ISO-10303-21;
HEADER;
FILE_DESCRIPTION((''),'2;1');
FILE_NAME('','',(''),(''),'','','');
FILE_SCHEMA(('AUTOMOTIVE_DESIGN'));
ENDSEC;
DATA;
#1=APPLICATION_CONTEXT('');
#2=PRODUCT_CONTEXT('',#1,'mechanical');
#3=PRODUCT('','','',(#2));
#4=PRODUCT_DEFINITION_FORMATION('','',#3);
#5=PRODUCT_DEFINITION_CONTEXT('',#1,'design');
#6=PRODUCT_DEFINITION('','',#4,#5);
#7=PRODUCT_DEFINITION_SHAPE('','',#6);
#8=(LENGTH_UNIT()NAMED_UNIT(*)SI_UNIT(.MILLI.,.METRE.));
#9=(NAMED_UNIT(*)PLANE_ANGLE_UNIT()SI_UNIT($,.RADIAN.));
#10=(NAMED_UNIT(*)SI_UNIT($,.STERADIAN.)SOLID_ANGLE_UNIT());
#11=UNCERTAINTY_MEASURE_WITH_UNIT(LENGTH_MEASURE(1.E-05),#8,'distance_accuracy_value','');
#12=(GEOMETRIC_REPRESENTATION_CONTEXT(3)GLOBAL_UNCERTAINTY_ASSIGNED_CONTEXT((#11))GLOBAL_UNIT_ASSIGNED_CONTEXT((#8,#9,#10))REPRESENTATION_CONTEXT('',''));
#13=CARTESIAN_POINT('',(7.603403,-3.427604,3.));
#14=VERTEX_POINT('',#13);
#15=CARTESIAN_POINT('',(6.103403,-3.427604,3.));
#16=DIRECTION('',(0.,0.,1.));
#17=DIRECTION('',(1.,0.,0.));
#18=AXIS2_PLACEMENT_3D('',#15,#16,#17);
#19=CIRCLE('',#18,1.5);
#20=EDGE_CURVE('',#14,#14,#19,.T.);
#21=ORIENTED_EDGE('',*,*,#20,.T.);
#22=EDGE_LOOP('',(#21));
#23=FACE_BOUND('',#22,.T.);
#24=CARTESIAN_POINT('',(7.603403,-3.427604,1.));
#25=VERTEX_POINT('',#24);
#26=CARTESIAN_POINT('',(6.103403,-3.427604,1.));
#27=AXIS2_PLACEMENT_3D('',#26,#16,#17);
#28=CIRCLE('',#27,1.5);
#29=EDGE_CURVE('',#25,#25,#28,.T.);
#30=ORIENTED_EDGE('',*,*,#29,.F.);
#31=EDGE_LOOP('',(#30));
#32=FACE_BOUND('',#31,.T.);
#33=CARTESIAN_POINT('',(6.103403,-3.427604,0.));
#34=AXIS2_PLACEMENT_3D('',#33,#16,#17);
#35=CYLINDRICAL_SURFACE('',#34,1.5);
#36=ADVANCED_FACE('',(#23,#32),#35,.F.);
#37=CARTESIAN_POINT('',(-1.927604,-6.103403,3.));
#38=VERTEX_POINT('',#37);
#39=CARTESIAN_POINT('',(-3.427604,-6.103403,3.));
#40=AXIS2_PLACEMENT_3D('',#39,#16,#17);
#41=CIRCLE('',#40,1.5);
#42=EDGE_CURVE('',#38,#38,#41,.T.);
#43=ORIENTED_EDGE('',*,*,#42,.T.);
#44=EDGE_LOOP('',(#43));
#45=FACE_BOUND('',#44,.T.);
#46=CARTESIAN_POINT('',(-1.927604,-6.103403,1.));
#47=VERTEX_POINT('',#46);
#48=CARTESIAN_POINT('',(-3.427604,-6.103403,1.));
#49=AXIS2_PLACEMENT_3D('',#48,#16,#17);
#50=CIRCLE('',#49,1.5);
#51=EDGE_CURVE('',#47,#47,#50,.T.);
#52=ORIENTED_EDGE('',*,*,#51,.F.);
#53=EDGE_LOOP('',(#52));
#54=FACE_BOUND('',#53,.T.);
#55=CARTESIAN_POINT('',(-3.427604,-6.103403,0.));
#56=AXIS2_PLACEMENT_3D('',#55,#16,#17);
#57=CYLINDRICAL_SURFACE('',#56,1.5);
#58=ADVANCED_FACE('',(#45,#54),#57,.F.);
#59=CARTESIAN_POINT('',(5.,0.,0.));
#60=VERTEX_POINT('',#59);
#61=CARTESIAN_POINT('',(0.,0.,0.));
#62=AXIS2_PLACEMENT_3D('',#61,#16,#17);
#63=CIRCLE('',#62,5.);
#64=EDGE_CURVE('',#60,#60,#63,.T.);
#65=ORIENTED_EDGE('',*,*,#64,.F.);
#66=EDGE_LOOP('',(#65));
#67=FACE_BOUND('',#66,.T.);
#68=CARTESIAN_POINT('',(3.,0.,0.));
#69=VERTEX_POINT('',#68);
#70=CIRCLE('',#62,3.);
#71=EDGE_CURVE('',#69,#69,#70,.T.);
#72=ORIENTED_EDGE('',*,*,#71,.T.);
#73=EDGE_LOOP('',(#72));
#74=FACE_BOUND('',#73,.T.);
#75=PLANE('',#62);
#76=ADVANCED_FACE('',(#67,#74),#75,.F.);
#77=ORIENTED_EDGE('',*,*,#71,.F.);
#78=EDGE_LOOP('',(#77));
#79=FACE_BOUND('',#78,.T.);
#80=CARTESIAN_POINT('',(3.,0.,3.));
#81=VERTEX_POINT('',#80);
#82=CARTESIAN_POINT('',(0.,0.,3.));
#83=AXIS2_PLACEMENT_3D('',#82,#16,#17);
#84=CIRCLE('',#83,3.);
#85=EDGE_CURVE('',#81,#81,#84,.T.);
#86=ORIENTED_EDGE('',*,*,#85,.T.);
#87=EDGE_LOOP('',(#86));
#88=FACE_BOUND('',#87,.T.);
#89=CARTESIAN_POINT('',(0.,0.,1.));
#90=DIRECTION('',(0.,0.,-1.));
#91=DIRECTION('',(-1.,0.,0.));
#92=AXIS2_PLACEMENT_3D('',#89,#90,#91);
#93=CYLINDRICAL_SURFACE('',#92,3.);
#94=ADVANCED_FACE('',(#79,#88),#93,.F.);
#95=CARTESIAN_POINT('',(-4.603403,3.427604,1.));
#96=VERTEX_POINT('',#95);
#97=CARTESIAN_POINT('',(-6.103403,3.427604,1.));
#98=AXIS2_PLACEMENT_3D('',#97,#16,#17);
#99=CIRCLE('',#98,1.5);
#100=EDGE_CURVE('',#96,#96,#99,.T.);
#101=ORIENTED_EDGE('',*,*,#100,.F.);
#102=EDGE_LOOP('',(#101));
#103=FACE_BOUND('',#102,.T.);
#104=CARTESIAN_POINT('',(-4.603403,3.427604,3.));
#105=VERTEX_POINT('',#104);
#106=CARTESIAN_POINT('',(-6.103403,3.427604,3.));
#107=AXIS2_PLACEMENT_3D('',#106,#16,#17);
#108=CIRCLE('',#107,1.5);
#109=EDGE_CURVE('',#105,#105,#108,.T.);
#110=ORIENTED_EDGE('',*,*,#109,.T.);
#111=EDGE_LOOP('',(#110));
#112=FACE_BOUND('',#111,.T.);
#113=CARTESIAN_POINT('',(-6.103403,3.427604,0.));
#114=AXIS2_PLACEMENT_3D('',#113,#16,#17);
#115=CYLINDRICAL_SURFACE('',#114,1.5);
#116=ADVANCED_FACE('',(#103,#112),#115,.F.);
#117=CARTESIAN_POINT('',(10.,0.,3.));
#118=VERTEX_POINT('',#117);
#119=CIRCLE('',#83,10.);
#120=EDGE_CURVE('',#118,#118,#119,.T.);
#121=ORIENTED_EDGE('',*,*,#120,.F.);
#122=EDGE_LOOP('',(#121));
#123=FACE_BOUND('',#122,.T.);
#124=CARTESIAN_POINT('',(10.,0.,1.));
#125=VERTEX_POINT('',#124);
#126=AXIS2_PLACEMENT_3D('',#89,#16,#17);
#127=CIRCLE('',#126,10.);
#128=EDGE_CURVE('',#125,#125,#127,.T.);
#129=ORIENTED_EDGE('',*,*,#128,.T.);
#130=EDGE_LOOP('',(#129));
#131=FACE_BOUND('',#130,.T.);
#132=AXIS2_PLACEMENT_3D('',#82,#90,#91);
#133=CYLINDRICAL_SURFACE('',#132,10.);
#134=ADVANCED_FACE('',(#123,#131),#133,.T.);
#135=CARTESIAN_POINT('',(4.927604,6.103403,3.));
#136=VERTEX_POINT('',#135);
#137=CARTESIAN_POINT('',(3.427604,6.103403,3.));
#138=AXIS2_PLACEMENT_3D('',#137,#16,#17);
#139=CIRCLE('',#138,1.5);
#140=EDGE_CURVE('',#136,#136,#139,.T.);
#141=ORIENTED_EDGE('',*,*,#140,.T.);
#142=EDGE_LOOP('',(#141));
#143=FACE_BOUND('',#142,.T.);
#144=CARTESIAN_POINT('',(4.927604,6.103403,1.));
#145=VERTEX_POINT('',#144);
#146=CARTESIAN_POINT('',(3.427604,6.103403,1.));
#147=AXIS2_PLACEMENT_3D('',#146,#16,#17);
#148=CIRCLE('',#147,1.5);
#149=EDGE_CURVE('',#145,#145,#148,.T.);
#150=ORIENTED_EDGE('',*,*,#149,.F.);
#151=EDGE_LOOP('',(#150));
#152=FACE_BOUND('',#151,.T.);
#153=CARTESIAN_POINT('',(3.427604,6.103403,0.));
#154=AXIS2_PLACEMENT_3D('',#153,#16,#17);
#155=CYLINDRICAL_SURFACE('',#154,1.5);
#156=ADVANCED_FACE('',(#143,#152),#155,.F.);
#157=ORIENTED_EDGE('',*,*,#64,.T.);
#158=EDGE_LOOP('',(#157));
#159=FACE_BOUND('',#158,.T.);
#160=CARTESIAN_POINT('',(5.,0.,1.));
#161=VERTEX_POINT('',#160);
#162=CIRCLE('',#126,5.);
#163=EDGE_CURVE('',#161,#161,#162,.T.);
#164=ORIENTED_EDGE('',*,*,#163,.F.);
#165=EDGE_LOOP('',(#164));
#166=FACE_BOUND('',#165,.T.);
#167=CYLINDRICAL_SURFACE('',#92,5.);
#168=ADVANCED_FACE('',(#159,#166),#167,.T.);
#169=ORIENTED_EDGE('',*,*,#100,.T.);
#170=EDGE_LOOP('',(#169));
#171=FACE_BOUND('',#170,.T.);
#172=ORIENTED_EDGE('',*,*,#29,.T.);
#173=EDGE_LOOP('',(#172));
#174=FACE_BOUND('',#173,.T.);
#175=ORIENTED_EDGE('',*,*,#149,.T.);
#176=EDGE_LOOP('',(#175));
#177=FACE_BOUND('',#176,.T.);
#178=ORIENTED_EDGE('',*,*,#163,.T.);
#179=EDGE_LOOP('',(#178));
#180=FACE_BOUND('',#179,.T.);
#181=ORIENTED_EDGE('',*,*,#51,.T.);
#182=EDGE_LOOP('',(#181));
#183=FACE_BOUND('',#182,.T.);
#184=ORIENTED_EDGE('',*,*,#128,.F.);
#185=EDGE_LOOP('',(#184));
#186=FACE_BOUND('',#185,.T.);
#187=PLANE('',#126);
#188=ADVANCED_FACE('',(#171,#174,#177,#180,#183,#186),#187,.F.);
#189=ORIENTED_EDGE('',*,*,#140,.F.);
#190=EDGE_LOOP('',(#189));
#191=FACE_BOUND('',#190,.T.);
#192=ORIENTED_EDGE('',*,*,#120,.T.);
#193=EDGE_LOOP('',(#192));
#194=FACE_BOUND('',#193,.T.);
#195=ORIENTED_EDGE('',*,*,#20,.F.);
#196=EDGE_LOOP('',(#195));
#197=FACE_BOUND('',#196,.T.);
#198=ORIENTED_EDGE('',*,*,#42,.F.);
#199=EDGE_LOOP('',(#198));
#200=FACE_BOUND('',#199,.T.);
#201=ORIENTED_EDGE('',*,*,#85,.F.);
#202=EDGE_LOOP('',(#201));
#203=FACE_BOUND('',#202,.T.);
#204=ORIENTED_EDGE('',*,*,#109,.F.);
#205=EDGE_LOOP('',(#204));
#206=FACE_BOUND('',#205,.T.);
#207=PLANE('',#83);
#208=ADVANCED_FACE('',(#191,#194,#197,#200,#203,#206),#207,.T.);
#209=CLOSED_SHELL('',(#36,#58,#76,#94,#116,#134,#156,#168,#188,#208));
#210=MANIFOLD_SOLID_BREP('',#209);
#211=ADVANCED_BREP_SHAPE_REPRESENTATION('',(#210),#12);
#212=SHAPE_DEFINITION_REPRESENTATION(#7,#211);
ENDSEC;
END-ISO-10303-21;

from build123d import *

# Parameters (mm, degrees)
SKETCH_1_R          = 5
SKETCH_1_R_2        = 3
EXTRUDE_1_DEPTH     = 1
SKETCH_2_R          = 10
SKETCH_2_R_2        = 3
EXTRUDE_2_DEPTH     = 2
SKETCH_3_R          = 1.5
CUT_EXTRUDE_1_DEPTH = 15.456832295


with BuildPart() as part:
    # 草图1 → 凸台-拉伸1 (new body)
    with BuildSketch(Plane.XY):
        Circle(SKETCH_1_R)
        Circle(SKETCH_1_R_2, mode=Mode.SUBTRACT)
    extrude(amount=EXTRUDE_1_DEPTH)

    # 草图2 → 凸台-拉伸2 (add)
    with BuildSketch(Plane.XY.offset(1)):
        Circle(SKETCH_2_R)
        Circle(SKETCH_2_R_2, mode=Mode.SUBTRACT)
    extrude(amount=EXTRUDE_2_DEPTH)

    # 草图3 → 切除-拉伸1 (cut, through all)
    with BuildSketch(Plane.XY.offset(3)):
        with Locations((3.427604113, 6.103403153)):
            Circle(SKETCH_3_R)
        with Locations((6.103403153, -3.427604113)):
            Circle(SKETCH_3_R)
        with Locations((-3.427604113, -6.103403153)):
            Circle(SKETCH_3_R)
        with Locations((-6.103403153, 3.427604113)):
            Circle(SKETCH_3_R)
    extrude(amount=-CUT_EXTRUDE_1_DEPTH, mode=Mode.SUBTRACT)


solid = part.part
